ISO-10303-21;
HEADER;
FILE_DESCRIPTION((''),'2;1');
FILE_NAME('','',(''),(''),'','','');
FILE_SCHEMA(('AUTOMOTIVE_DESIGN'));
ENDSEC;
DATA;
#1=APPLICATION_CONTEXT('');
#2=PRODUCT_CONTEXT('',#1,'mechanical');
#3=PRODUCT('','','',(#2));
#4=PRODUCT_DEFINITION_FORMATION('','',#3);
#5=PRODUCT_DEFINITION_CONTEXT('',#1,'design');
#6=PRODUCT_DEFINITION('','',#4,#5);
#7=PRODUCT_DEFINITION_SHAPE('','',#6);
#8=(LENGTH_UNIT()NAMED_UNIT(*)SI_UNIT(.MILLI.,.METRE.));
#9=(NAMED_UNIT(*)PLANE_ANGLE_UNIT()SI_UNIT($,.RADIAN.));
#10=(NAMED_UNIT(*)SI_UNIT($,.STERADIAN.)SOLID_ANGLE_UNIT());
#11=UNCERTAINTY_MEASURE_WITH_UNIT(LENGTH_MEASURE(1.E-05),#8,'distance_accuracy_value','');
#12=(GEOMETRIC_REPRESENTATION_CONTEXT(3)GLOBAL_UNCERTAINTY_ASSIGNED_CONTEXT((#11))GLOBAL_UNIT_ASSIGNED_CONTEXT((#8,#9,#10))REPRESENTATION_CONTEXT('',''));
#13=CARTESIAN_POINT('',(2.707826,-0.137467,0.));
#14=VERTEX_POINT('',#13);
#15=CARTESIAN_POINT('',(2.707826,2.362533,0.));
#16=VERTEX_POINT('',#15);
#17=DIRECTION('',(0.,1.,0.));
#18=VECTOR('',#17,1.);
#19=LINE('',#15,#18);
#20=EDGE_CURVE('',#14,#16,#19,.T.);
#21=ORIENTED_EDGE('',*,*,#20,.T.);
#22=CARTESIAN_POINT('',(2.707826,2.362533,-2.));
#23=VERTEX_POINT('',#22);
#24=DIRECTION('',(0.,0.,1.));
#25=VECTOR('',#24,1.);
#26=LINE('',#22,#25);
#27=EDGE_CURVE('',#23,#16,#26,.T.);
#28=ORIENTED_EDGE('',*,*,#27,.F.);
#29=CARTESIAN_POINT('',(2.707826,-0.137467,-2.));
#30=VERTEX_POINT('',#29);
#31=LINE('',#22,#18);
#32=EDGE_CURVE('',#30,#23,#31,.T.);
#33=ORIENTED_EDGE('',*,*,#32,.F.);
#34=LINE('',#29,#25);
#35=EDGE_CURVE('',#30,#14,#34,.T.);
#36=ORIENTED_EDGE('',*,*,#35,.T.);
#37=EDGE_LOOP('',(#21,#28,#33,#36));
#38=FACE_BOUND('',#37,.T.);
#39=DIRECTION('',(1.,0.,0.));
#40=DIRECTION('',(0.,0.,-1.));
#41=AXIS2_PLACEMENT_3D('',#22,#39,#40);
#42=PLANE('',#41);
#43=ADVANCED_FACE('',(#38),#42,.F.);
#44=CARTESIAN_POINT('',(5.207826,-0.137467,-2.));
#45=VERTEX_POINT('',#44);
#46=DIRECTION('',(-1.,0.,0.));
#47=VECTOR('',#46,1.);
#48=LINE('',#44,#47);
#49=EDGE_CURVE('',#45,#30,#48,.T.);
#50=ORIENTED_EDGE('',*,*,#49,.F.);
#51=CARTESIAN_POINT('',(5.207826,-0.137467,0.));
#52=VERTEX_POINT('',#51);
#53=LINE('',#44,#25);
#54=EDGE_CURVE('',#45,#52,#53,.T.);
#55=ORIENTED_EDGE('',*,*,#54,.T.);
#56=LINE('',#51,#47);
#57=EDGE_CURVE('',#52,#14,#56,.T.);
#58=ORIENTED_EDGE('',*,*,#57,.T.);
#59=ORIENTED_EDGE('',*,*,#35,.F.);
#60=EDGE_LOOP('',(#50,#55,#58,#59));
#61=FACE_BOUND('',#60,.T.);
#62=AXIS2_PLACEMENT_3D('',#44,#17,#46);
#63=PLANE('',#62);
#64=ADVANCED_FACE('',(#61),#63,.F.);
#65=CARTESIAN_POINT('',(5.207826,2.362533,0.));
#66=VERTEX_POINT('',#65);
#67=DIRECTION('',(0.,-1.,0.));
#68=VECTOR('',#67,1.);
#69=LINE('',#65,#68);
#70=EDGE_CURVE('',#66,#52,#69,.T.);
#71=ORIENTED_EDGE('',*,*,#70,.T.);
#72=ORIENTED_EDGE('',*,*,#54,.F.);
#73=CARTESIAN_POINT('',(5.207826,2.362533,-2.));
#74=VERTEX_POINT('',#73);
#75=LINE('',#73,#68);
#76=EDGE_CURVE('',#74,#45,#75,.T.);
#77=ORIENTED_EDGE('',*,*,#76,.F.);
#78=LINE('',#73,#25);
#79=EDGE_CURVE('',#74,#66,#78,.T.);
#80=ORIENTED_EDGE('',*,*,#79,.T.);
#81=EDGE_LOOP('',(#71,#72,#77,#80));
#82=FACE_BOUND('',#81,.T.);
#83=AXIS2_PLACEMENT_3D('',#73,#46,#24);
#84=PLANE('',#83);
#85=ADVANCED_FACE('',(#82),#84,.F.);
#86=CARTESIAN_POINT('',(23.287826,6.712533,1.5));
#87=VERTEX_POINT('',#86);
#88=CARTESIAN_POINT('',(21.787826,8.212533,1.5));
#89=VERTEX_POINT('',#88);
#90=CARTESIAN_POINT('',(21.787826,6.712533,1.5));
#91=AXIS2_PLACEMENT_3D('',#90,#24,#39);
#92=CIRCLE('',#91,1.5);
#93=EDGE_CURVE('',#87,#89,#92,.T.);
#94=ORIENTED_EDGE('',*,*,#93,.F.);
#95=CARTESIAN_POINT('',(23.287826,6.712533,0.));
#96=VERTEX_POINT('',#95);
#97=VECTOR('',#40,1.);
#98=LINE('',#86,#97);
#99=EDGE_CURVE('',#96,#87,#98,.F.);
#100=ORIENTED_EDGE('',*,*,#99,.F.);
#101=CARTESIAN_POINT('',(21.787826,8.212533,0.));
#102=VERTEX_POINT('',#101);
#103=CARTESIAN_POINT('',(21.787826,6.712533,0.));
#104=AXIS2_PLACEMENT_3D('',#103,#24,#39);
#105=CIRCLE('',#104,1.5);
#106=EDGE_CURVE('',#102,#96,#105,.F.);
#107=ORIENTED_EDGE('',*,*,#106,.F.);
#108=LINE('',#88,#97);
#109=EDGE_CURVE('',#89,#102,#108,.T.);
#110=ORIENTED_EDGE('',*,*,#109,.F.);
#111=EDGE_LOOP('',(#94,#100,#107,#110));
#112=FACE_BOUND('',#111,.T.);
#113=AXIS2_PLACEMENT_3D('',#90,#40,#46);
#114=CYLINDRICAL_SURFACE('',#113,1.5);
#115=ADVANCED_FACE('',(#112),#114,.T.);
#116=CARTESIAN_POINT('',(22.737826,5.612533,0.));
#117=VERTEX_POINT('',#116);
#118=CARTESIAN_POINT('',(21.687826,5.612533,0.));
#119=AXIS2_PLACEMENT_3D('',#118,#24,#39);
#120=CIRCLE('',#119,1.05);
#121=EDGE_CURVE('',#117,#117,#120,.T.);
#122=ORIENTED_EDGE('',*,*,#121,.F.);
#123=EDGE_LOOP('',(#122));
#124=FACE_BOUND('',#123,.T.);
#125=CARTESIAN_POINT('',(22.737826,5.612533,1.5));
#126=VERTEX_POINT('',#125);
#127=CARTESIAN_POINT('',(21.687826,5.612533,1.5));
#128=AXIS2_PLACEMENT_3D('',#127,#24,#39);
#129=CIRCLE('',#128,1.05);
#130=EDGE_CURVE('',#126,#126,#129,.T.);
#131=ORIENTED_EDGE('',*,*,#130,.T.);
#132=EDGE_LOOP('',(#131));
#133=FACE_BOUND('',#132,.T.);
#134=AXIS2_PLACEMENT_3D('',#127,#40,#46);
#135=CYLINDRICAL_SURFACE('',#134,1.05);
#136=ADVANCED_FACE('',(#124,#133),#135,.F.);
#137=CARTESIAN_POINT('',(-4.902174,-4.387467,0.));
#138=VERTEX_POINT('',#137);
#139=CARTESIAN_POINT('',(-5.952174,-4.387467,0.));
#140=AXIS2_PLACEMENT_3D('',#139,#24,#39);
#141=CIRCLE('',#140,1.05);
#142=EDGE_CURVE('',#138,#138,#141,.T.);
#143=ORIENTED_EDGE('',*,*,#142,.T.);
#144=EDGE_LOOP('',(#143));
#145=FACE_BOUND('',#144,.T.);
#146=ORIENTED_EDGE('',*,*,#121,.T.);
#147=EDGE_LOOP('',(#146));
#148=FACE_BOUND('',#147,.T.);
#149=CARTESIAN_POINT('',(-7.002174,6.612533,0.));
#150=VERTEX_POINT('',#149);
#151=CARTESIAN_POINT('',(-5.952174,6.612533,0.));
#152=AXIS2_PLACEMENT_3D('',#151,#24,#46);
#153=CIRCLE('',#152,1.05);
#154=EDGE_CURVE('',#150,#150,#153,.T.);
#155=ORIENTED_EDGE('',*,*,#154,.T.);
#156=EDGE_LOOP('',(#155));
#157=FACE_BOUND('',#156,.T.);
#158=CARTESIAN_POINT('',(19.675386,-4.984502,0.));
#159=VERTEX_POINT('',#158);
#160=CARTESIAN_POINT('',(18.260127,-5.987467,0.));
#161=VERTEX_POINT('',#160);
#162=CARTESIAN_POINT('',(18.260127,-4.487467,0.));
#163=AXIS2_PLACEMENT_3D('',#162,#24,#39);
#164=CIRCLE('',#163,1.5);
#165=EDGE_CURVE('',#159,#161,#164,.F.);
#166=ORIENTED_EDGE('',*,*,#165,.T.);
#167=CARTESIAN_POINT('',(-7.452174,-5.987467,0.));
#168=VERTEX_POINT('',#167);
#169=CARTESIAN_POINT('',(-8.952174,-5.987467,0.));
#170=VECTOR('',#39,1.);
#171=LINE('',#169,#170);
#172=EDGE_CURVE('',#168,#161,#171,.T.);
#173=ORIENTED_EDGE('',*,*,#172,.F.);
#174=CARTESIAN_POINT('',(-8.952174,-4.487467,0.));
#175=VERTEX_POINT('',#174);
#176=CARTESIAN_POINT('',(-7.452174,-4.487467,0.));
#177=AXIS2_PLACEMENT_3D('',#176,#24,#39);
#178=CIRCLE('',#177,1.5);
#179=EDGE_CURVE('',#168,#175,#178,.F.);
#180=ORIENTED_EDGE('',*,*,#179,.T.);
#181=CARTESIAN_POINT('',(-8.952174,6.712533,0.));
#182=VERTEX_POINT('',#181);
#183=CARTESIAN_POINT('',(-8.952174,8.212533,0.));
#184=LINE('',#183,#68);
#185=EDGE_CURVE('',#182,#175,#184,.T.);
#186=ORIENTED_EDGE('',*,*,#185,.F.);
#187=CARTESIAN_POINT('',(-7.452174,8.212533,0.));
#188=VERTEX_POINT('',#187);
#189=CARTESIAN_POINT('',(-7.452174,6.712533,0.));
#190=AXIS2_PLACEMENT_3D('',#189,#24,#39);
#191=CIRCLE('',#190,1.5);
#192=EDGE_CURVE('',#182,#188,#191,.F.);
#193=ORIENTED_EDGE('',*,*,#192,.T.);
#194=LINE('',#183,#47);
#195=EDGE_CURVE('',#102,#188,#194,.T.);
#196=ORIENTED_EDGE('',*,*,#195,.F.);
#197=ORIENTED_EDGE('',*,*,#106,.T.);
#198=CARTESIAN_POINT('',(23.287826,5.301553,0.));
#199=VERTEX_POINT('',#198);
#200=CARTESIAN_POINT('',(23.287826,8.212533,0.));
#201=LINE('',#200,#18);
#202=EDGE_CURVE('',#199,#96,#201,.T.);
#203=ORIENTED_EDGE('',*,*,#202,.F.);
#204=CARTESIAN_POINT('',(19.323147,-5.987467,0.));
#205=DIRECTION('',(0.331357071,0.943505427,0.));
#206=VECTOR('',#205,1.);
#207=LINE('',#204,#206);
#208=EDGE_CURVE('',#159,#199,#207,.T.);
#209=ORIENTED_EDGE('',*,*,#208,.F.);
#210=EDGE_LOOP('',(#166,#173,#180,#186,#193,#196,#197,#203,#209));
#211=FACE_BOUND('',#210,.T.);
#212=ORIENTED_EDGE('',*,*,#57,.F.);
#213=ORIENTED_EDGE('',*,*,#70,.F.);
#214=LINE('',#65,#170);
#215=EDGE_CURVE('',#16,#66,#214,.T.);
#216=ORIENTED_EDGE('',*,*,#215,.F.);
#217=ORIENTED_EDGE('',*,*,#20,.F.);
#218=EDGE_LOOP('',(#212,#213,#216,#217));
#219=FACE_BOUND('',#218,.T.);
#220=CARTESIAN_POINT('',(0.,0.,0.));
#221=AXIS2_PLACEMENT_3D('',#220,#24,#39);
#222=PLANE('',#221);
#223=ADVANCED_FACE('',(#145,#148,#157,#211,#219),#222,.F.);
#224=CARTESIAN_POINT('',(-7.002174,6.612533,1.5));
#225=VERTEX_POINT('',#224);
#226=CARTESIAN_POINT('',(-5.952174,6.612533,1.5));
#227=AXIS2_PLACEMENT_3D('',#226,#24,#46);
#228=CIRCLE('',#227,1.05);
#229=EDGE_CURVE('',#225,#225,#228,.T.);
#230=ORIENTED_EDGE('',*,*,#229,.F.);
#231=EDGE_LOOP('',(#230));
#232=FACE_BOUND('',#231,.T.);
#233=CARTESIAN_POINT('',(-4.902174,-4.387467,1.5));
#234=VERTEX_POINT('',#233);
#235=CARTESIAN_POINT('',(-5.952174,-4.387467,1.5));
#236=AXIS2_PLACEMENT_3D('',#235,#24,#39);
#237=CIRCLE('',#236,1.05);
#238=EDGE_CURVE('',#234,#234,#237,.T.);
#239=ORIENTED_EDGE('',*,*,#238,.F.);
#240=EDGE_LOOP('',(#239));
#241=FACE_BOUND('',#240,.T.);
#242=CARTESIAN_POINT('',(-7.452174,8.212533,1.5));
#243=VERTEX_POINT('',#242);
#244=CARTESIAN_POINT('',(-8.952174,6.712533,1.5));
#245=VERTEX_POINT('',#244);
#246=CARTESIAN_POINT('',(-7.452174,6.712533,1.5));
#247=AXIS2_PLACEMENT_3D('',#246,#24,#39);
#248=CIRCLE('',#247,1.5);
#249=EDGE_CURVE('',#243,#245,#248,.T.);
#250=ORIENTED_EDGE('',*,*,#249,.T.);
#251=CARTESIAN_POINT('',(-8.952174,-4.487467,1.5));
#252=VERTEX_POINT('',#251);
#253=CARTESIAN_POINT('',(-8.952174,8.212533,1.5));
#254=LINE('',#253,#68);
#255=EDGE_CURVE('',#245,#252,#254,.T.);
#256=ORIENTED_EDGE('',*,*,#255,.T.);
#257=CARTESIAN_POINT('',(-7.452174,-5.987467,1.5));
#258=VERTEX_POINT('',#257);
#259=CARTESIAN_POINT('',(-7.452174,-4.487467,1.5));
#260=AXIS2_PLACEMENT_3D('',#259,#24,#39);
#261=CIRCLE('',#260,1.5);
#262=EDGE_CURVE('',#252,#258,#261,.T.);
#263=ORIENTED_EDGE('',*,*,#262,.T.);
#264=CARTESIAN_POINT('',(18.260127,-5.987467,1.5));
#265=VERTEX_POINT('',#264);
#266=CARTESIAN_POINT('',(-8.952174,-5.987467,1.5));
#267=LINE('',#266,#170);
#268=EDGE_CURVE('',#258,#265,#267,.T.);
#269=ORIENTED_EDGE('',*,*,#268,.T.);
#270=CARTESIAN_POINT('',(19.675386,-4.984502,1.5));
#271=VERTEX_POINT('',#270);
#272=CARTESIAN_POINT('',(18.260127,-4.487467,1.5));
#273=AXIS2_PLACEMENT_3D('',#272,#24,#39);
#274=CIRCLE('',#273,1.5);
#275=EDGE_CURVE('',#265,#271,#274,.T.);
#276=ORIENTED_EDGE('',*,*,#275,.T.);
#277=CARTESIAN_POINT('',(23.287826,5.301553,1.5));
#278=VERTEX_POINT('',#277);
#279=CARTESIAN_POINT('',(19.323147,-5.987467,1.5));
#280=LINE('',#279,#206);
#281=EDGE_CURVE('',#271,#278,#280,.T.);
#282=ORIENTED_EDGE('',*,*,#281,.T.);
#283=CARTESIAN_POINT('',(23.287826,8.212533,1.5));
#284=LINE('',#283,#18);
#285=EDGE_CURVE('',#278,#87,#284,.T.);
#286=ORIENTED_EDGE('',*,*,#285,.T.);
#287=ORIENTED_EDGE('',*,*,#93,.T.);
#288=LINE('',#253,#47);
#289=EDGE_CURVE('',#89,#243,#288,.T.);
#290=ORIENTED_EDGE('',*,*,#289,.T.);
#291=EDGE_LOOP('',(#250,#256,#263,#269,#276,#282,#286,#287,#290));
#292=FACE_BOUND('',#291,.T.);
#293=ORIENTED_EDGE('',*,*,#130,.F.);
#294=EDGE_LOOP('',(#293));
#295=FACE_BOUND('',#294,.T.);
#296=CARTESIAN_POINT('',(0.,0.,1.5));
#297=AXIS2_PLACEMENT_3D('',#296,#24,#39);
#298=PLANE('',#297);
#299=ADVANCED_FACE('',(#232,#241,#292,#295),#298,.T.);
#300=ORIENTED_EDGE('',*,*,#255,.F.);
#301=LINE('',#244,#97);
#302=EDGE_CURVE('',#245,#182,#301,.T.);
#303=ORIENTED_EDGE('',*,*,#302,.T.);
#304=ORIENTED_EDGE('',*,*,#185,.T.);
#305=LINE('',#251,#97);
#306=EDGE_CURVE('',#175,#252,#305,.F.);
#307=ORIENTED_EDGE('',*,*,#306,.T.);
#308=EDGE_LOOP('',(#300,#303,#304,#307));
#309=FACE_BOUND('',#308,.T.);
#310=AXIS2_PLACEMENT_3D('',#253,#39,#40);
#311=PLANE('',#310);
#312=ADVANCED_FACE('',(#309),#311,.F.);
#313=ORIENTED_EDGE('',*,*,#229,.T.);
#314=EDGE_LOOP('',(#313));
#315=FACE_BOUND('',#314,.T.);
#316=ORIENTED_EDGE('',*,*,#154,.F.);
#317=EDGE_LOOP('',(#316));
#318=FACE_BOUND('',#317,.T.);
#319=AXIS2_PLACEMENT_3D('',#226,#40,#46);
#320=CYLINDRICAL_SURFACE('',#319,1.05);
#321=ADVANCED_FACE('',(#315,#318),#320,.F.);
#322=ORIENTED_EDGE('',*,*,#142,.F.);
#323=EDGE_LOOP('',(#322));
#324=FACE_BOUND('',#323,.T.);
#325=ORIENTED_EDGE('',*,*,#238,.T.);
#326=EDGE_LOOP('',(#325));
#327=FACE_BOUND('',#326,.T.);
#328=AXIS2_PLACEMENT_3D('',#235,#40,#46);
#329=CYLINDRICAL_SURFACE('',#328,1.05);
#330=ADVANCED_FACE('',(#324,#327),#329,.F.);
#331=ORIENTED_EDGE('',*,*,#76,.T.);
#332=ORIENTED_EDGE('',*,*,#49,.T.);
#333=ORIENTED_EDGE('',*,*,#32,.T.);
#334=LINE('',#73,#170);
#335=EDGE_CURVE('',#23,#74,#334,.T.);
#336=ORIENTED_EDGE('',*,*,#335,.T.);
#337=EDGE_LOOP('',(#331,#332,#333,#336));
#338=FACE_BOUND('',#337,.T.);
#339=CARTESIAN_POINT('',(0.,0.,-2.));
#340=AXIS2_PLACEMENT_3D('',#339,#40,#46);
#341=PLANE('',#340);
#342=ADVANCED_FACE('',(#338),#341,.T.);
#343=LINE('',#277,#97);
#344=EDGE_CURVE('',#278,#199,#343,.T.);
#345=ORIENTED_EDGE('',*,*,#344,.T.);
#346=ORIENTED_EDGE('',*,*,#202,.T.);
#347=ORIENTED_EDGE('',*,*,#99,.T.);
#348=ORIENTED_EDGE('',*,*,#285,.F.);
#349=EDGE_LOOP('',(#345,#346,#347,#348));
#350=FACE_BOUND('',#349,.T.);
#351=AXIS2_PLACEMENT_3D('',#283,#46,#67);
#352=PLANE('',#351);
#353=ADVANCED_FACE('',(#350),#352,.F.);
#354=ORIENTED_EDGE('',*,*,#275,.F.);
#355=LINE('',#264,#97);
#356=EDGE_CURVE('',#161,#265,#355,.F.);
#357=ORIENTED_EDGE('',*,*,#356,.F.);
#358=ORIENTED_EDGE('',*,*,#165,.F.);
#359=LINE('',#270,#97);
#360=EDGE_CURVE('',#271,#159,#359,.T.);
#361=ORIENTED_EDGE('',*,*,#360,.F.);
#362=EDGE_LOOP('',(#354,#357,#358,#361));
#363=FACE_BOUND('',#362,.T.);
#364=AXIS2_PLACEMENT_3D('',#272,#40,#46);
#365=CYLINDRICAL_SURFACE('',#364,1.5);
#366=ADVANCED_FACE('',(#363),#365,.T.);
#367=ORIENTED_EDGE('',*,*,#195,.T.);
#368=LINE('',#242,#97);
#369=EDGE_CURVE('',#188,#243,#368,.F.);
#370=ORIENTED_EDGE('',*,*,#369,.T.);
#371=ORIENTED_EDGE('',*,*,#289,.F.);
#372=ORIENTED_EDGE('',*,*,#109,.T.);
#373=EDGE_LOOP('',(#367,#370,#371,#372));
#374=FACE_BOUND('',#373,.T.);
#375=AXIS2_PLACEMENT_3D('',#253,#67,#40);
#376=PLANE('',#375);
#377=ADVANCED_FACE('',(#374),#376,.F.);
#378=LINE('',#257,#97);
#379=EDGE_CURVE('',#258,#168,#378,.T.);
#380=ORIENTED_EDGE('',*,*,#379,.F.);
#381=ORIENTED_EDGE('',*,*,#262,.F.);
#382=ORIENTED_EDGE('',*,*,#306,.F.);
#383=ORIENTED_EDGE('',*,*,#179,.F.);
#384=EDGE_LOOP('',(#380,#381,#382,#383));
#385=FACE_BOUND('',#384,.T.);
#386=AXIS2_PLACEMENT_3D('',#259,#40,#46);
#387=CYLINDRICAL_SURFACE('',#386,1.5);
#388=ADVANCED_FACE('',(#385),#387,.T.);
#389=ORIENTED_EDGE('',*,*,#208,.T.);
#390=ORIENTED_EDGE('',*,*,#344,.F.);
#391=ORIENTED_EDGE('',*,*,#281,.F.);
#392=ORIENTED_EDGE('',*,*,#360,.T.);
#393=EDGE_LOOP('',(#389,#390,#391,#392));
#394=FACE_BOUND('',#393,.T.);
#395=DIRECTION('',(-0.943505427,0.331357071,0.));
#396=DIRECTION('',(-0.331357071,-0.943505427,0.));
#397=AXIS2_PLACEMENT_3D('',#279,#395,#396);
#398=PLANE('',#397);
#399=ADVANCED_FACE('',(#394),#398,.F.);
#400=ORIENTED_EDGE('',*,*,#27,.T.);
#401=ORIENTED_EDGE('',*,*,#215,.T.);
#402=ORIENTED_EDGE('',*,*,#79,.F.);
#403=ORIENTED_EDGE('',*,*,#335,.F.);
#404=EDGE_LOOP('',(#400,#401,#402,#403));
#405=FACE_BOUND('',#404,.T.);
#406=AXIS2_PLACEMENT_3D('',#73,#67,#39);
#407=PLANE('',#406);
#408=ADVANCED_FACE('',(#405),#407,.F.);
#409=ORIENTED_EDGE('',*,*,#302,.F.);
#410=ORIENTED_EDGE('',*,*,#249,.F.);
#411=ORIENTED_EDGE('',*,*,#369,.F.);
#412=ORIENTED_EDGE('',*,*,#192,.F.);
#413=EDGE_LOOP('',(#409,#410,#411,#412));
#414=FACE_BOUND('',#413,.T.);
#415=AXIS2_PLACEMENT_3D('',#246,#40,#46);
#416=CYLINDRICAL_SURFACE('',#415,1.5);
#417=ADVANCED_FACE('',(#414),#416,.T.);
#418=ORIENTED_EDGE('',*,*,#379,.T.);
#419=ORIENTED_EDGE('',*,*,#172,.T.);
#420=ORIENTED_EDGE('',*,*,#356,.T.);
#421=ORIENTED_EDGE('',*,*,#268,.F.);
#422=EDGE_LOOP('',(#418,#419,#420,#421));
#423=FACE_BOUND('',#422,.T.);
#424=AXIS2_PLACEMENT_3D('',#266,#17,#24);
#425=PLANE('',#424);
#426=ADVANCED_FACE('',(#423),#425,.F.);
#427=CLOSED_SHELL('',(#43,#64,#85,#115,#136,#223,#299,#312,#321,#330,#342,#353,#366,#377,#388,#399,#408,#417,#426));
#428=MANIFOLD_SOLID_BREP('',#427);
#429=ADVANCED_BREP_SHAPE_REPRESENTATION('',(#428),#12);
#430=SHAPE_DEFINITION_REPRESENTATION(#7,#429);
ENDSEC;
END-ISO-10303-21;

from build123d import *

# Parameters (mm, degrees)
ESQUISSE1_R        = 1.05
BOSS_EXTRU_1_DEPTH = 1.5
CONG_1_R           = 1.5
CONG_2_R           = 1.5
ESQUISSE3_W        = 2.5
ESQUISSE3_H        = 2.5
BOSS_EXTRU_2_DEPTH = 2


with BuildPart() as part:
    # Esquisse1 → Boss.-Extru.1 (new body)
    with BuildSketch(Plane.XY):
        Polygon((-8.952173913, 8.212533242), (23.287826087, 8.212533242), (23.287826087, 5.301553174), (19.32314664, -5.987466758), (-8.952173913, -5.987466758), align=None)
        with Locations((-5.952173913, -4.387466758)):
            Circle(ESQUISSE1_R, mode=Mode.SUBTRACT)
        with Locations((-5.952173913, 6.612533242)):
            Circle(ESQUISSE1_R, mode=Mode.SUBTRACT)
        with Locations((21.687826087, 5.612533242)):
            Circle(ESQUISSE1_R, mode=Mode.SUBTRACT)
    extrude(amount=BOSS_EXTRU_1_DEPTH)

    # Congé1
    cong_1_edges = [part.edges().sort_by_distance(p)[0] for p in [
        (23.287826087, 8.212533242, 0.75),
    ]]
    fillet(cong_1_edges, radius=CONG_1_R)

    # Congé2
    cong_2_edges = [part.edges().sort_by_distance(p)[0] for p in [
        (-8.952173913, 8.212533242, 0.75),
        (19.32314664, -5.987466758, 0.75),
        (-8.952173913, -5.987466758, 0.75),
    ]]
    fillet(cong_2_edges, radius=CONG_2_R)

    # Esquisse3 → Boss.-Extru.2 (add)
    with BuildSketch(Plane(origin=(0, 0, 0), x_dir=(-1, 0, 0), z_dir=(0, 0, -1))):
        with Locations((-3.957826087, 1.112533242)):
            Rectangle(ESQUISSE3_W, ESQUISSE3_H)
    extrude(amount=BOSS_EXTRU_2_DEPTH)


solid = part.part
